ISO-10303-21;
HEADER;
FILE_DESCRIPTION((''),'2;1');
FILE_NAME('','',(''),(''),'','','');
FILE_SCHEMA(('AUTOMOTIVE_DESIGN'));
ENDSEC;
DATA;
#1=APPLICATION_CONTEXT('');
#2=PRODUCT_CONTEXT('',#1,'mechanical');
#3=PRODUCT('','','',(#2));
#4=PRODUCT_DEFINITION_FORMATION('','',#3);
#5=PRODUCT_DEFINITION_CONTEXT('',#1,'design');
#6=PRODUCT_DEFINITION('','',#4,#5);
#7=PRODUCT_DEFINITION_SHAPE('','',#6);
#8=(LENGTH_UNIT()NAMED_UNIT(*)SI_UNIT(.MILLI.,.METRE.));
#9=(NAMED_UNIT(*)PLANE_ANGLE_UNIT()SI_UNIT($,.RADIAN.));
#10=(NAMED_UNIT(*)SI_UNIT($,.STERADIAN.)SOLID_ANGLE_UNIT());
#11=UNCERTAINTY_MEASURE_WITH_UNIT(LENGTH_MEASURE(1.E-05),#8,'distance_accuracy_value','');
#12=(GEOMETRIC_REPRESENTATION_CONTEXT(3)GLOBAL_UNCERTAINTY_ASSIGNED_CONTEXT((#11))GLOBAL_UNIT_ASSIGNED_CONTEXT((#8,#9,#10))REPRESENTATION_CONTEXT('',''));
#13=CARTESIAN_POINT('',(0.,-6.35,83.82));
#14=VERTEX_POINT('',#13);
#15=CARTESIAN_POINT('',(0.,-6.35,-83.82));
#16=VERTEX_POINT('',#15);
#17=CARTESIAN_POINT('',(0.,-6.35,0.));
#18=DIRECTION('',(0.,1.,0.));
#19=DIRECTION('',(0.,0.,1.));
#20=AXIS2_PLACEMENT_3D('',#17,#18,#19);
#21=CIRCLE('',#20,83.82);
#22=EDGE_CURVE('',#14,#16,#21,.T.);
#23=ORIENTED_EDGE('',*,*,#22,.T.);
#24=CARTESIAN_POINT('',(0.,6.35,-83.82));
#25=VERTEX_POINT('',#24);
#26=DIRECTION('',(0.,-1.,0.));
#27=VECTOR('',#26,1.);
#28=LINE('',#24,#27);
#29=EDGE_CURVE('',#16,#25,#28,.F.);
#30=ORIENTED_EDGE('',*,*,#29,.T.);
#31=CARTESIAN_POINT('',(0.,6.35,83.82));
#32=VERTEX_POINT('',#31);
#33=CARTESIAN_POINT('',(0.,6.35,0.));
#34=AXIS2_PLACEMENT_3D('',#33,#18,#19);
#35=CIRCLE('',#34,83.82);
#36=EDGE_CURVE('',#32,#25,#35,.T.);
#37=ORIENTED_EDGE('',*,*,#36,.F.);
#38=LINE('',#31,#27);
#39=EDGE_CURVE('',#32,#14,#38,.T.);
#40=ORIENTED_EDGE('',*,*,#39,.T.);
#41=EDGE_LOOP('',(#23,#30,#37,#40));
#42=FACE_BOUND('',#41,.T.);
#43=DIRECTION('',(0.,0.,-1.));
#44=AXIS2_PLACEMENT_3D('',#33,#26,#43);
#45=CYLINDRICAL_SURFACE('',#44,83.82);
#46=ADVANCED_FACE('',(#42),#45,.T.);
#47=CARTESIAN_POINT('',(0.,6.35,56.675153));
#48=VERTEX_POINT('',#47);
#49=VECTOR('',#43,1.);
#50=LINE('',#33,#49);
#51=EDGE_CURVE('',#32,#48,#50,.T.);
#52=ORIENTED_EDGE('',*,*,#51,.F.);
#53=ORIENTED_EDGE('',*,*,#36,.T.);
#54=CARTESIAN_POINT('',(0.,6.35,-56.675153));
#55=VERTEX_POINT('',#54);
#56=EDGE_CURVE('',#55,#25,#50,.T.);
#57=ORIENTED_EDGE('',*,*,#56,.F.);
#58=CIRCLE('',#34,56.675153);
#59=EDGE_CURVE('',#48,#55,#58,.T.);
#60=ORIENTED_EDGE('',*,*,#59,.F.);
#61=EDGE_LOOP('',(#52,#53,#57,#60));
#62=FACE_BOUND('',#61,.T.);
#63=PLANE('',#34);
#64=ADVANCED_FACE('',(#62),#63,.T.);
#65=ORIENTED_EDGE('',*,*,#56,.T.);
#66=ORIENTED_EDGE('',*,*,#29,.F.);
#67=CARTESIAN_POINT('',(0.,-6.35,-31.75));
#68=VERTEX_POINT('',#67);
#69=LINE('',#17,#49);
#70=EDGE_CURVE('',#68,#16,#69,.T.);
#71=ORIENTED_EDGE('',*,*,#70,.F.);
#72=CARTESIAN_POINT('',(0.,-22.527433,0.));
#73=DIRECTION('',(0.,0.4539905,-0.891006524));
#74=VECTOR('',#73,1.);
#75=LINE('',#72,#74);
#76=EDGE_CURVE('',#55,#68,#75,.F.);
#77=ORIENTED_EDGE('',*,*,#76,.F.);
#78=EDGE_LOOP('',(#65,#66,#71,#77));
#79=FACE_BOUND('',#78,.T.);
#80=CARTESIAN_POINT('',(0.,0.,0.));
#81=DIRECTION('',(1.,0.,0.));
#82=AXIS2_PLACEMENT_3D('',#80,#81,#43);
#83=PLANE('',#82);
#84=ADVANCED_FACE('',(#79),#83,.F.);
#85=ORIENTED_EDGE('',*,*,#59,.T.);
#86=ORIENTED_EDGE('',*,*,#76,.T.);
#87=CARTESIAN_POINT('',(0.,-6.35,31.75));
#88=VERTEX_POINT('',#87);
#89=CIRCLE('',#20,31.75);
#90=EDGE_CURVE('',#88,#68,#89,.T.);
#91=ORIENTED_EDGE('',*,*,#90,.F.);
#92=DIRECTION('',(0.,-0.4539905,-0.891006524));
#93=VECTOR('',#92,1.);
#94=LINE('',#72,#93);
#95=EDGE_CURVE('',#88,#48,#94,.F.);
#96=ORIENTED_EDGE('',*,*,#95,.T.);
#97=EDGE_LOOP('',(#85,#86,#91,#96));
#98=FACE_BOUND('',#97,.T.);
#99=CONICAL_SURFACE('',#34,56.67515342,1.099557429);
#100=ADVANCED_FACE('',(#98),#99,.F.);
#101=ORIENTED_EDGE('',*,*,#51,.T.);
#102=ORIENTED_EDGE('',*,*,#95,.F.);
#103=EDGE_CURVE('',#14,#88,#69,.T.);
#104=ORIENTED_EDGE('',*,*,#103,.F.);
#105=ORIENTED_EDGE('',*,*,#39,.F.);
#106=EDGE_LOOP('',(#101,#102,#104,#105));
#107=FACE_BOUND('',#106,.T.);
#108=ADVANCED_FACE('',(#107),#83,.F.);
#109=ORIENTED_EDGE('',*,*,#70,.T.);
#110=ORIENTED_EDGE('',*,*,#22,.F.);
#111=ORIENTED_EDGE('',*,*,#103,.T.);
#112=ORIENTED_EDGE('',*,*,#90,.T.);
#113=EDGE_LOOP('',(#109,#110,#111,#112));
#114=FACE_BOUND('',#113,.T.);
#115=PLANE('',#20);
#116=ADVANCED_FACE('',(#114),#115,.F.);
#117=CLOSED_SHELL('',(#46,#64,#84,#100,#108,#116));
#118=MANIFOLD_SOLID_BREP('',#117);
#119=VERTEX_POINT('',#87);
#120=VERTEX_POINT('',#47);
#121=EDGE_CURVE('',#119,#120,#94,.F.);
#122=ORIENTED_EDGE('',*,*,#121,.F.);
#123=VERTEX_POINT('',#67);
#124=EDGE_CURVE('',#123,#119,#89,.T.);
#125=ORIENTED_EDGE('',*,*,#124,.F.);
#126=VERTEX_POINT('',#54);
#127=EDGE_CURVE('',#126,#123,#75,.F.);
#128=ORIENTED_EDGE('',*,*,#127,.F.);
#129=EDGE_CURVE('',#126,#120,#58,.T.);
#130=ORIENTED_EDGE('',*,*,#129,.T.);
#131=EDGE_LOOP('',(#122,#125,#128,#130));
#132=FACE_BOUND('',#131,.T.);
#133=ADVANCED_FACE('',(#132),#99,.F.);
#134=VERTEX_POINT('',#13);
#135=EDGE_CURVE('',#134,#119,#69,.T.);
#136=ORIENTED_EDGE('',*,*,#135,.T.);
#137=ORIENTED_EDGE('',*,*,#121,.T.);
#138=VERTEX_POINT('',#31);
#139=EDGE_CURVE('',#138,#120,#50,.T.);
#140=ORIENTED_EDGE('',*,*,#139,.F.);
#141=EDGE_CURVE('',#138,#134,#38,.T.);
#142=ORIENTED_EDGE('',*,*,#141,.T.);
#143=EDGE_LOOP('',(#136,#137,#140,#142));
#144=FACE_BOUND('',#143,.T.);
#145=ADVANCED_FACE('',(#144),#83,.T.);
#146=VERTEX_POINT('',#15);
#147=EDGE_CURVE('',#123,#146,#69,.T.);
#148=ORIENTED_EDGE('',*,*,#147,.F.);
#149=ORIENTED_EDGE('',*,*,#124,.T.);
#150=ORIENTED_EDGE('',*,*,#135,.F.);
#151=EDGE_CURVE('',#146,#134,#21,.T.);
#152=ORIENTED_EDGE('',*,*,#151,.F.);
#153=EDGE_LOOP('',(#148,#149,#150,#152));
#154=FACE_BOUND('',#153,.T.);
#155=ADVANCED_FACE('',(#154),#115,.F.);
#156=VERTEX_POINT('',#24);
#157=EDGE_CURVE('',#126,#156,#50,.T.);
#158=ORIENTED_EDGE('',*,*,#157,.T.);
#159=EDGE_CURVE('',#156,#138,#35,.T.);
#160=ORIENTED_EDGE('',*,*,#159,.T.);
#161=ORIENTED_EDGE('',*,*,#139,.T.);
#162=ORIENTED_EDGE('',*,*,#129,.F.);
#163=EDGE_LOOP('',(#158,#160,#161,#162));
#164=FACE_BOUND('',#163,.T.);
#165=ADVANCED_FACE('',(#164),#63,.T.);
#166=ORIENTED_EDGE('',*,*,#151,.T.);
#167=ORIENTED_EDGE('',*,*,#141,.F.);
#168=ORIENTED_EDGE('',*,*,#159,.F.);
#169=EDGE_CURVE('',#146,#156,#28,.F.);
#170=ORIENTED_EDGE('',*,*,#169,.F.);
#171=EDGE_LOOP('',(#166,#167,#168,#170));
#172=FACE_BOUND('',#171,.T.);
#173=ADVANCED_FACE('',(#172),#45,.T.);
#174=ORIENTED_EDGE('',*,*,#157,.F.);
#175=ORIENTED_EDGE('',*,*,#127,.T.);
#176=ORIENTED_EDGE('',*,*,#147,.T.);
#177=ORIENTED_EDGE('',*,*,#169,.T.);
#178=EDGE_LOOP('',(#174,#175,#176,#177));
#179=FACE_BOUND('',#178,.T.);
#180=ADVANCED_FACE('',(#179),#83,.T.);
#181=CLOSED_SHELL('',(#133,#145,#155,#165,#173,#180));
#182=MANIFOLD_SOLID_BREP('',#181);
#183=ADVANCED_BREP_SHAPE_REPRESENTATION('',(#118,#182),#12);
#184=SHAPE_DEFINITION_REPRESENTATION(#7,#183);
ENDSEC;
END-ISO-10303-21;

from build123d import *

# Parameters (mm, degrees)
SKETCH1_R           = 83.82
SKETCH1_R_2         = 31.75
BOSS_EXTRUDE1_DEPTH = 6.35


with BuildPart() as part:
    # Sketch1 → Boss-Extrude1 (new body, symmetric)
    with BuildSketch(Plane(origin=(0, 0, 0), x_dir=(1, 0, 0), z_dir=(0, 1, 0))):
        Circle(SKETCH1_R)
        Circle(SKETCH1_R_2, mode=Mode.SUBTRACT)
    extrude(amount=BOSS_EXTRUDE1_DEPTH, both=True)

    # Sketch3 → Cut-Revolve1 (revolve, cut)
    with BuildSketch(Plane.XY):
        Polygon((-31.75, -6.35), (-56.67515342, 6.35), (-31.75, 6.35), align=None)
    revolve(axis=Axis((0, 23.278593151, 0), (0, -1, 0)), mode=Mode.SUBTRACT)


with BuildPart() as body_2:
    # Split1: the piece on the far side of the plane
    add(part.part)
    split(bisect_by=Plane(origin=(0, 0, 0), x_dir=(0, 0, 1), z_dir=(1, 0, 0)), keep=Keep.BOTTOM)


with BuildPart() as part_1:
    add(part.part)

    # Split1
    split(bisect_by=Plane(origin=(0, 0, 0), x_dir=(0, 0, 1), z_dir=(1, 0, 0)), keep=Keep.TOP)


solid = Compound([body_2.part, part_1.part])
